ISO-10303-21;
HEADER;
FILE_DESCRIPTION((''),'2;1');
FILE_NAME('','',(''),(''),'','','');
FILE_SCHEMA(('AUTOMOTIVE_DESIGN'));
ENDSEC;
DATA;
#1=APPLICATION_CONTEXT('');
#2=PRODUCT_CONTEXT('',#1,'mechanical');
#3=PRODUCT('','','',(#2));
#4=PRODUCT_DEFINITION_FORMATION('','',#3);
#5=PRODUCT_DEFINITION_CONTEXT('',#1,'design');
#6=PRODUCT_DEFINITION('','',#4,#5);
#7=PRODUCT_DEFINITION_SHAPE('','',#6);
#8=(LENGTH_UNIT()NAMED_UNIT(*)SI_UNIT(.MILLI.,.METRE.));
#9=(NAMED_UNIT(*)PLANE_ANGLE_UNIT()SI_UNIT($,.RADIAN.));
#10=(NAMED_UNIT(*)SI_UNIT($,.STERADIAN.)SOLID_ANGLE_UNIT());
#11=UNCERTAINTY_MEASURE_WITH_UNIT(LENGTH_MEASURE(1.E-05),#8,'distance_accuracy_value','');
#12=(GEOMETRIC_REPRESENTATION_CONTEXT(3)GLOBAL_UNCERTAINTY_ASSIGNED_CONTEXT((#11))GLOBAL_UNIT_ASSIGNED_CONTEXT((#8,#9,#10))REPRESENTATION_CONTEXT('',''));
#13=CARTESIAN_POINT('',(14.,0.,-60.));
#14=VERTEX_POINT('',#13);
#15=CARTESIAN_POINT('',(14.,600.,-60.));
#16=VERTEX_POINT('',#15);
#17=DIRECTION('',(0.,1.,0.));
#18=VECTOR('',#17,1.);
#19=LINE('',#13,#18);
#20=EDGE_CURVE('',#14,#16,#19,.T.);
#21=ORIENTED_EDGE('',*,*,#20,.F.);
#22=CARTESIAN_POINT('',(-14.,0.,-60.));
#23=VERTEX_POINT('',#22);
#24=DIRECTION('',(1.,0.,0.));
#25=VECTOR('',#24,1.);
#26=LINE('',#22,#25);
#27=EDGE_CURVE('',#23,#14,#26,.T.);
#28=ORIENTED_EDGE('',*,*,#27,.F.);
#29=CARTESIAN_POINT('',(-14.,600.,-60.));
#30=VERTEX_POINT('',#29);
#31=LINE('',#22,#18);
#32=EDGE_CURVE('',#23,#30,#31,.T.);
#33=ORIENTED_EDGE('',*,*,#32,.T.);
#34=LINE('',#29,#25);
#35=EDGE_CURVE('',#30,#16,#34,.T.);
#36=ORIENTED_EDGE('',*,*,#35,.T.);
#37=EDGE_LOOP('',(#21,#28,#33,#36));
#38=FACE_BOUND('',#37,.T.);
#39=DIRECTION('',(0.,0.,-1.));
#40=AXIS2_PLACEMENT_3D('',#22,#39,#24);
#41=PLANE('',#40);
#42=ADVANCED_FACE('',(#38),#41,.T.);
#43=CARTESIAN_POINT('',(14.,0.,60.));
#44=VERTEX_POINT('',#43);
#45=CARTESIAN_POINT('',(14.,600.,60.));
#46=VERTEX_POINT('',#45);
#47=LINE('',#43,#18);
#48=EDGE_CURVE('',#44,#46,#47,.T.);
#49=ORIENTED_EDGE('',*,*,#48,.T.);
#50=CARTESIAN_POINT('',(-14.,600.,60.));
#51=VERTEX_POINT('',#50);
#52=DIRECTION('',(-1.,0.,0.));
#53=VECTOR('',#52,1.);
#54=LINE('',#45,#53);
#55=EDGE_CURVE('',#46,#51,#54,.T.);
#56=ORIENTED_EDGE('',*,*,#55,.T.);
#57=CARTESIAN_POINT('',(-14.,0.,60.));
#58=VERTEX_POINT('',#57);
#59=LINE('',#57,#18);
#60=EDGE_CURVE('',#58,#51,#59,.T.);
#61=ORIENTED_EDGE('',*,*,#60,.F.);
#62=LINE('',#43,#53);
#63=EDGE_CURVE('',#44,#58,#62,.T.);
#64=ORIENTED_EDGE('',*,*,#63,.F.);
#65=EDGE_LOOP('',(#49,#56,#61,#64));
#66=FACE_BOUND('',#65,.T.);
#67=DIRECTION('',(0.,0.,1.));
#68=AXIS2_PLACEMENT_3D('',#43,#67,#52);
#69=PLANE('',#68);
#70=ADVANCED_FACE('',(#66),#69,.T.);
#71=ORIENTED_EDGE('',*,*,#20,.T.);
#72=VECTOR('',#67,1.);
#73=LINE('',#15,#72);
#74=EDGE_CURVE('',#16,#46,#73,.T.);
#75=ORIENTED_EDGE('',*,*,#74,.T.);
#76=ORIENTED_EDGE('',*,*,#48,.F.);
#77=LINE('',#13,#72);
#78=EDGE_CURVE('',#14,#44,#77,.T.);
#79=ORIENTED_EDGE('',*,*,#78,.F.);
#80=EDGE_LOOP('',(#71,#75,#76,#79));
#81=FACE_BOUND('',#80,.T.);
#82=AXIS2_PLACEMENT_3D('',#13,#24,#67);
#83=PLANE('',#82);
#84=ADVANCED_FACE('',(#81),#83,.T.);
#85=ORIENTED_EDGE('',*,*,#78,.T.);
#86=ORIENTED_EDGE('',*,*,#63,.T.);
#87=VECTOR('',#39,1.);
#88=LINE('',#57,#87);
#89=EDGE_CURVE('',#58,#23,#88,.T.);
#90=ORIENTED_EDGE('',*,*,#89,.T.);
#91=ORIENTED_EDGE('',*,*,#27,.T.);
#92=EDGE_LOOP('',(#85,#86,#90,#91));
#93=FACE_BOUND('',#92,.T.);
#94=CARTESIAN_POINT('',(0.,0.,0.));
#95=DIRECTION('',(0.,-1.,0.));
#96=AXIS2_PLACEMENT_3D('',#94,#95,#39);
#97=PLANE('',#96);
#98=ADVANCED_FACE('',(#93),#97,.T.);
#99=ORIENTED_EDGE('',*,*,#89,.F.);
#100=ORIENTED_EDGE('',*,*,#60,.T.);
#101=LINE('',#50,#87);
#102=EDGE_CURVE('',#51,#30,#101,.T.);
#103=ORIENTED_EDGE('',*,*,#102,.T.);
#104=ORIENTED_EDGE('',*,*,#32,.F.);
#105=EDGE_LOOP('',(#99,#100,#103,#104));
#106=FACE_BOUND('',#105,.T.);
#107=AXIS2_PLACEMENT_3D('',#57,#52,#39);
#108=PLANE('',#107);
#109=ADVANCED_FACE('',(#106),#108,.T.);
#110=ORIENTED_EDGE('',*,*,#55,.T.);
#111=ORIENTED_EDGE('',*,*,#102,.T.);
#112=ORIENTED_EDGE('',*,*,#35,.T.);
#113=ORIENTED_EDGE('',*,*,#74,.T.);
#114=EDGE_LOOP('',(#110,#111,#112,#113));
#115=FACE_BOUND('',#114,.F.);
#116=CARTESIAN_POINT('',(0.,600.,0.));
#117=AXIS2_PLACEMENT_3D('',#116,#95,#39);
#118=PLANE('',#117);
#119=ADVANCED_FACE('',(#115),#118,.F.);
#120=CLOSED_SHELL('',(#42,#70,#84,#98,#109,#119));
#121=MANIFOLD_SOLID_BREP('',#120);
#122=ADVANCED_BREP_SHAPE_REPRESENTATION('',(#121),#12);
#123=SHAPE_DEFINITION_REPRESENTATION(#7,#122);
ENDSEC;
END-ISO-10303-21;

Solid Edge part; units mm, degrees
sketch "Sketch1" plane through (0, 0, 0) normal (0, -1, 0) x (1, 0, 0)
  line L0 (-14, -60) -> (14, -60)
  line L1 (14, -60) -> (14, 60)
  line L2 (14, 60) -> (-14, 60)
  line L3 (-14, 60) -> (-14, -60)
extrude "Protrusion1" add sketch "Sketch1" against normal blind 600
properties material "Wood, Pine"
